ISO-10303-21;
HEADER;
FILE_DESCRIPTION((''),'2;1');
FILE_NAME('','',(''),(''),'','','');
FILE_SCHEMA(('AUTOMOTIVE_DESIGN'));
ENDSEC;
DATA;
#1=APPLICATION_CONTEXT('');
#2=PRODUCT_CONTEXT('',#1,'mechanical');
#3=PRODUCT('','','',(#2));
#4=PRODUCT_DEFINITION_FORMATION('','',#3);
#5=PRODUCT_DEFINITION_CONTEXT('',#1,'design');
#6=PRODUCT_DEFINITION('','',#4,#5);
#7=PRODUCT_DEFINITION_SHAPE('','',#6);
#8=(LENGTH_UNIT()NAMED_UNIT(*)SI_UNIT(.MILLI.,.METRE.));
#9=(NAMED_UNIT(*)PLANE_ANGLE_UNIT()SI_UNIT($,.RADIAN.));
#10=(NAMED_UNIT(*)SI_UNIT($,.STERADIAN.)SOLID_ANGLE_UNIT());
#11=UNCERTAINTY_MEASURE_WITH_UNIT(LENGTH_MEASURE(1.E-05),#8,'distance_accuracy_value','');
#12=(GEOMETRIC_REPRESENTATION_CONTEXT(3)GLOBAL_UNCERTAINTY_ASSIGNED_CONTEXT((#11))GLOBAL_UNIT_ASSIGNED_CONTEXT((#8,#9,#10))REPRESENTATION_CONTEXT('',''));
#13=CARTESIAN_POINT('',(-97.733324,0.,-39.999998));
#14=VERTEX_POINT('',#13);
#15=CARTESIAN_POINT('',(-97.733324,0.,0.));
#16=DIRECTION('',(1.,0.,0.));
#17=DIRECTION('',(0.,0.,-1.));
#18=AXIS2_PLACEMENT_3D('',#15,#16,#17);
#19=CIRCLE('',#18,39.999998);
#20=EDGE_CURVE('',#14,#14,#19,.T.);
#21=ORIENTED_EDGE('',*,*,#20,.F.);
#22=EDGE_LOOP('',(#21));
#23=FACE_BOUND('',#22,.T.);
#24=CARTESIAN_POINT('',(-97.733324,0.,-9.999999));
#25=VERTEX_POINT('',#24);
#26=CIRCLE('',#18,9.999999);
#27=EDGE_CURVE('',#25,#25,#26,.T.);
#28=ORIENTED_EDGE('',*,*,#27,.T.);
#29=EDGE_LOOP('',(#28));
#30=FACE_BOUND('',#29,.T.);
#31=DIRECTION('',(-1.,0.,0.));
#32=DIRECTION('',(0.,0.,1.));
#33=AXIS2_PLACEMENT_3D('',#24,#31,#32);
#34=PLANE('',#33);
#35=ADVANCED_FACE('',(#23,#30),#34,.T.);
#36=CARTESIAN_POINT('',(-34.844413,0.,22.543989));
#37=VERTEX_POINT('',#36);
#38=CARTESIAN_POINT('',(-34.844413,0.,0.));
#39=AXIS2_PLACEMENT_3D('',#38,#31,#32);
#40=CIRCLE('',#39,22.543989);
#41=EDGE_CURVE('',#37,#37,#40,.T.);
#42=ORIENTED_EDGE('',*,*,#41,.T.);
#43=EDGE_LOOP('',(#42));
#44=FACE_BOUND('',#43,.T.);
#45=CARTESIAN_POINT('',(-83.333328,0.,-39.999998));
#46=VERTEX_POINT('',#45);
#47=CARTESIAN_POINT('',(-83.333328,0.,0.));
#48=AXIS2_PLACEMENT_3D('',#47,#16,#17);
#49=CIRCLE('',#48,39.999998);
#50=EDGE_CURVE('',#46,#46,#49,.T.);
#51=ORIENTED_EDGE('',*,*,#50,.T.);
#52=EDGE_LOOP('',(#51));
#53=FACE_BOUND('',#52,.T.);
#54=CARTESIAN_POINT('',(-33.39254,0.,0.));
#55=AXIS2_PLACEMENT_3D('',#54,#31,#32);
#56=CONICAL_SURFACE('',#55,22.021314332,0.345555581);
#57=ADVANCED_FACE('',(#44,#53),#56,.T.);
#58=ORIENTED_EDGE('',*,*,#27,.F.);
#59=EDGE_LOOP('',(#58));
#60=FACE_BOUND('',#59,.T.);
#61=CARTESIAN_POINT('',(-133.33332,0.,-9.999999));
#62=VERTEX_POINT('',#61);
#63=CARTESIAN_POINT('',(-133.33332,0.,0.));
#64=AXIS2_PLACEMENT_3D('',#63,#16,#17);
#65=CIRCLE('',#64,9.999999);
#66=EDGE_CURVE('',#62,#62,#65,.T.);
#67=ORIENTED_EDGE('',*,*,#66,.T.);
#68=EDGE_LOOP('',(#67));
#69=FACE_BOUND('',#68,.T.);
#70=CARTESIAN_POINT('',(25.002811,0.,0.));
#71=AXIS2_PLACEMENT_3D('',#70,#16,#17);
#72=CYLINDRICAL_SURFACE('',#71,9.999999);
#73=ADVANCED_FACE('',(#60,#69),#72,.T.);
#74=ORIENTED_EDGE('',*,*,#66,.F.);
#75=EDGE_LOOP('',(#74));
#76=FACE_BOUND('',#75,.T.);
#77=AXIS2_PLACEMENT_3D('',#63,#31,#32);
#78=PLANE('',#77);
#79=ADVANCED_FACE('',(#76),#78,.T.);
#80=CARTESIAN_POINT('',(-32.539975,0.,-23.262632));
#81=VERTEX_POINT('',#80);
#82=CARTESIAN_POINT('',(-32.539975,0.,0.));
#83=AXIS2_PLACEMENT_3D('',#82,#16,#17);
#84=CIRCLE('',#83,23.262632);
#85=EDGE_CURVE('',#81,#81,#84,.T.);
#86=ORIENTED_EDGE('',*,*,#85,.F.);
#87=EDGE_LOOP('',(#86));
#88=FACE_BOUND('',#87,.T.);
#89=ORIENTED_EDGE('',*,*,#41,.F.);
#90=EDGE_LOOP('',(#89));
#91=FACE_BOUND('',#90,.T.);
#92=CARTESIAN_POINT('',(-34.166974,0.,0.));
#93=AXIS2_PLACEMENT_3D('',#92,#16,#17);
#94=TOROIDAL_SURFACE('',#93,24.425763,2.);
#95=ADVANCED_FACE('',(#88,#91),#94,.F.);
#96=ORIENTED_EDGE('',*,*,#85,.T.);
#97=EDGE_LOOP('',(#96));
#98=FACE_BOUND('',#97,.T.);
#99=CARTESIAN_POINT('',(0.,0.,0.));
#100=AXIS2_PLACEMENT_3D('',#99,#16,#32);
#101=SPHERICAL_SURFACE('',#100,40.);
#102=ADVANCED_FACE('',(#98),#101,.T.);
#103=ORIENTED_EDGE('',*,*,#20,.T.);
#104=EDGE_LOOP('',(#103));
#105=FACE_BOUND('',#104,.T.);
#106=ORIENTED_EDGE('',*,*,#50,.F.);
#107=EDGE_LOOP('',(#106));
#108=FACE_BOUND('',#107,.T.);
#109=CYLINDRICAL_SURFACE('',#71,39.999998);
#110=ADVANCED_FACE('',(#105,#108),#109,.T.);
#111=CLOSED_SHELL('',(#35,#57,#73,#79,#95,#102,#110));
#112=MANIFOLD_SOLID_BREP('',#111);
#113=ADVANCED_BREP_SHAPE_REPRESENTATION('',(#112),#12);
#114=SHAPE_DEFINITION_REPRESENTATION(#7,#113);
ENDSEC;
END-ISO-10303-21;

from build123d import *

# Parameters (mm, degrees)
FILLET1_R = 2


with BuildPart() as part:
    # Sketch1 → Revolve1 (revolve)
    with BuildSketch(Plane(origin=(0, 0, 0), x_dir=(1, 0, 0), z_dir=(0, 1, 0))):
        with BuildLine():
            Line((-83.333328339, 39.999998202), (-33.392539812, 22.021314332))
            ThreePointArc((-33.392539812, 22.021314332), (11.49561672, 38.312540979), (40, 0))
            Line((40, 0), (-133.33332, 0))
            Line((-133.33332, 0), (-133.33332, 9.999999))
            Line((-133.33332, 9.999999), (-97.73332356, 9.999999))
            Line((-97.73332356, 9.999999), (-97.73332356, 39.999998202))
            Line((-97.73332356, 39.999998202), (-83.333328339, 39.999998202))
        make_face()
    revolve(axis=Axis((25.002810952, 0, 0), (-1, 0, 0)))

    # Fillet1
    fillet1_edges = [part.edges().sort_by_distance(p)[0] for p in [
        (-33.392539812, 0, 22.021314332),
    ]]
    fillet(fillet1_edges, radius=FILLET1_R)


solid = part.part
